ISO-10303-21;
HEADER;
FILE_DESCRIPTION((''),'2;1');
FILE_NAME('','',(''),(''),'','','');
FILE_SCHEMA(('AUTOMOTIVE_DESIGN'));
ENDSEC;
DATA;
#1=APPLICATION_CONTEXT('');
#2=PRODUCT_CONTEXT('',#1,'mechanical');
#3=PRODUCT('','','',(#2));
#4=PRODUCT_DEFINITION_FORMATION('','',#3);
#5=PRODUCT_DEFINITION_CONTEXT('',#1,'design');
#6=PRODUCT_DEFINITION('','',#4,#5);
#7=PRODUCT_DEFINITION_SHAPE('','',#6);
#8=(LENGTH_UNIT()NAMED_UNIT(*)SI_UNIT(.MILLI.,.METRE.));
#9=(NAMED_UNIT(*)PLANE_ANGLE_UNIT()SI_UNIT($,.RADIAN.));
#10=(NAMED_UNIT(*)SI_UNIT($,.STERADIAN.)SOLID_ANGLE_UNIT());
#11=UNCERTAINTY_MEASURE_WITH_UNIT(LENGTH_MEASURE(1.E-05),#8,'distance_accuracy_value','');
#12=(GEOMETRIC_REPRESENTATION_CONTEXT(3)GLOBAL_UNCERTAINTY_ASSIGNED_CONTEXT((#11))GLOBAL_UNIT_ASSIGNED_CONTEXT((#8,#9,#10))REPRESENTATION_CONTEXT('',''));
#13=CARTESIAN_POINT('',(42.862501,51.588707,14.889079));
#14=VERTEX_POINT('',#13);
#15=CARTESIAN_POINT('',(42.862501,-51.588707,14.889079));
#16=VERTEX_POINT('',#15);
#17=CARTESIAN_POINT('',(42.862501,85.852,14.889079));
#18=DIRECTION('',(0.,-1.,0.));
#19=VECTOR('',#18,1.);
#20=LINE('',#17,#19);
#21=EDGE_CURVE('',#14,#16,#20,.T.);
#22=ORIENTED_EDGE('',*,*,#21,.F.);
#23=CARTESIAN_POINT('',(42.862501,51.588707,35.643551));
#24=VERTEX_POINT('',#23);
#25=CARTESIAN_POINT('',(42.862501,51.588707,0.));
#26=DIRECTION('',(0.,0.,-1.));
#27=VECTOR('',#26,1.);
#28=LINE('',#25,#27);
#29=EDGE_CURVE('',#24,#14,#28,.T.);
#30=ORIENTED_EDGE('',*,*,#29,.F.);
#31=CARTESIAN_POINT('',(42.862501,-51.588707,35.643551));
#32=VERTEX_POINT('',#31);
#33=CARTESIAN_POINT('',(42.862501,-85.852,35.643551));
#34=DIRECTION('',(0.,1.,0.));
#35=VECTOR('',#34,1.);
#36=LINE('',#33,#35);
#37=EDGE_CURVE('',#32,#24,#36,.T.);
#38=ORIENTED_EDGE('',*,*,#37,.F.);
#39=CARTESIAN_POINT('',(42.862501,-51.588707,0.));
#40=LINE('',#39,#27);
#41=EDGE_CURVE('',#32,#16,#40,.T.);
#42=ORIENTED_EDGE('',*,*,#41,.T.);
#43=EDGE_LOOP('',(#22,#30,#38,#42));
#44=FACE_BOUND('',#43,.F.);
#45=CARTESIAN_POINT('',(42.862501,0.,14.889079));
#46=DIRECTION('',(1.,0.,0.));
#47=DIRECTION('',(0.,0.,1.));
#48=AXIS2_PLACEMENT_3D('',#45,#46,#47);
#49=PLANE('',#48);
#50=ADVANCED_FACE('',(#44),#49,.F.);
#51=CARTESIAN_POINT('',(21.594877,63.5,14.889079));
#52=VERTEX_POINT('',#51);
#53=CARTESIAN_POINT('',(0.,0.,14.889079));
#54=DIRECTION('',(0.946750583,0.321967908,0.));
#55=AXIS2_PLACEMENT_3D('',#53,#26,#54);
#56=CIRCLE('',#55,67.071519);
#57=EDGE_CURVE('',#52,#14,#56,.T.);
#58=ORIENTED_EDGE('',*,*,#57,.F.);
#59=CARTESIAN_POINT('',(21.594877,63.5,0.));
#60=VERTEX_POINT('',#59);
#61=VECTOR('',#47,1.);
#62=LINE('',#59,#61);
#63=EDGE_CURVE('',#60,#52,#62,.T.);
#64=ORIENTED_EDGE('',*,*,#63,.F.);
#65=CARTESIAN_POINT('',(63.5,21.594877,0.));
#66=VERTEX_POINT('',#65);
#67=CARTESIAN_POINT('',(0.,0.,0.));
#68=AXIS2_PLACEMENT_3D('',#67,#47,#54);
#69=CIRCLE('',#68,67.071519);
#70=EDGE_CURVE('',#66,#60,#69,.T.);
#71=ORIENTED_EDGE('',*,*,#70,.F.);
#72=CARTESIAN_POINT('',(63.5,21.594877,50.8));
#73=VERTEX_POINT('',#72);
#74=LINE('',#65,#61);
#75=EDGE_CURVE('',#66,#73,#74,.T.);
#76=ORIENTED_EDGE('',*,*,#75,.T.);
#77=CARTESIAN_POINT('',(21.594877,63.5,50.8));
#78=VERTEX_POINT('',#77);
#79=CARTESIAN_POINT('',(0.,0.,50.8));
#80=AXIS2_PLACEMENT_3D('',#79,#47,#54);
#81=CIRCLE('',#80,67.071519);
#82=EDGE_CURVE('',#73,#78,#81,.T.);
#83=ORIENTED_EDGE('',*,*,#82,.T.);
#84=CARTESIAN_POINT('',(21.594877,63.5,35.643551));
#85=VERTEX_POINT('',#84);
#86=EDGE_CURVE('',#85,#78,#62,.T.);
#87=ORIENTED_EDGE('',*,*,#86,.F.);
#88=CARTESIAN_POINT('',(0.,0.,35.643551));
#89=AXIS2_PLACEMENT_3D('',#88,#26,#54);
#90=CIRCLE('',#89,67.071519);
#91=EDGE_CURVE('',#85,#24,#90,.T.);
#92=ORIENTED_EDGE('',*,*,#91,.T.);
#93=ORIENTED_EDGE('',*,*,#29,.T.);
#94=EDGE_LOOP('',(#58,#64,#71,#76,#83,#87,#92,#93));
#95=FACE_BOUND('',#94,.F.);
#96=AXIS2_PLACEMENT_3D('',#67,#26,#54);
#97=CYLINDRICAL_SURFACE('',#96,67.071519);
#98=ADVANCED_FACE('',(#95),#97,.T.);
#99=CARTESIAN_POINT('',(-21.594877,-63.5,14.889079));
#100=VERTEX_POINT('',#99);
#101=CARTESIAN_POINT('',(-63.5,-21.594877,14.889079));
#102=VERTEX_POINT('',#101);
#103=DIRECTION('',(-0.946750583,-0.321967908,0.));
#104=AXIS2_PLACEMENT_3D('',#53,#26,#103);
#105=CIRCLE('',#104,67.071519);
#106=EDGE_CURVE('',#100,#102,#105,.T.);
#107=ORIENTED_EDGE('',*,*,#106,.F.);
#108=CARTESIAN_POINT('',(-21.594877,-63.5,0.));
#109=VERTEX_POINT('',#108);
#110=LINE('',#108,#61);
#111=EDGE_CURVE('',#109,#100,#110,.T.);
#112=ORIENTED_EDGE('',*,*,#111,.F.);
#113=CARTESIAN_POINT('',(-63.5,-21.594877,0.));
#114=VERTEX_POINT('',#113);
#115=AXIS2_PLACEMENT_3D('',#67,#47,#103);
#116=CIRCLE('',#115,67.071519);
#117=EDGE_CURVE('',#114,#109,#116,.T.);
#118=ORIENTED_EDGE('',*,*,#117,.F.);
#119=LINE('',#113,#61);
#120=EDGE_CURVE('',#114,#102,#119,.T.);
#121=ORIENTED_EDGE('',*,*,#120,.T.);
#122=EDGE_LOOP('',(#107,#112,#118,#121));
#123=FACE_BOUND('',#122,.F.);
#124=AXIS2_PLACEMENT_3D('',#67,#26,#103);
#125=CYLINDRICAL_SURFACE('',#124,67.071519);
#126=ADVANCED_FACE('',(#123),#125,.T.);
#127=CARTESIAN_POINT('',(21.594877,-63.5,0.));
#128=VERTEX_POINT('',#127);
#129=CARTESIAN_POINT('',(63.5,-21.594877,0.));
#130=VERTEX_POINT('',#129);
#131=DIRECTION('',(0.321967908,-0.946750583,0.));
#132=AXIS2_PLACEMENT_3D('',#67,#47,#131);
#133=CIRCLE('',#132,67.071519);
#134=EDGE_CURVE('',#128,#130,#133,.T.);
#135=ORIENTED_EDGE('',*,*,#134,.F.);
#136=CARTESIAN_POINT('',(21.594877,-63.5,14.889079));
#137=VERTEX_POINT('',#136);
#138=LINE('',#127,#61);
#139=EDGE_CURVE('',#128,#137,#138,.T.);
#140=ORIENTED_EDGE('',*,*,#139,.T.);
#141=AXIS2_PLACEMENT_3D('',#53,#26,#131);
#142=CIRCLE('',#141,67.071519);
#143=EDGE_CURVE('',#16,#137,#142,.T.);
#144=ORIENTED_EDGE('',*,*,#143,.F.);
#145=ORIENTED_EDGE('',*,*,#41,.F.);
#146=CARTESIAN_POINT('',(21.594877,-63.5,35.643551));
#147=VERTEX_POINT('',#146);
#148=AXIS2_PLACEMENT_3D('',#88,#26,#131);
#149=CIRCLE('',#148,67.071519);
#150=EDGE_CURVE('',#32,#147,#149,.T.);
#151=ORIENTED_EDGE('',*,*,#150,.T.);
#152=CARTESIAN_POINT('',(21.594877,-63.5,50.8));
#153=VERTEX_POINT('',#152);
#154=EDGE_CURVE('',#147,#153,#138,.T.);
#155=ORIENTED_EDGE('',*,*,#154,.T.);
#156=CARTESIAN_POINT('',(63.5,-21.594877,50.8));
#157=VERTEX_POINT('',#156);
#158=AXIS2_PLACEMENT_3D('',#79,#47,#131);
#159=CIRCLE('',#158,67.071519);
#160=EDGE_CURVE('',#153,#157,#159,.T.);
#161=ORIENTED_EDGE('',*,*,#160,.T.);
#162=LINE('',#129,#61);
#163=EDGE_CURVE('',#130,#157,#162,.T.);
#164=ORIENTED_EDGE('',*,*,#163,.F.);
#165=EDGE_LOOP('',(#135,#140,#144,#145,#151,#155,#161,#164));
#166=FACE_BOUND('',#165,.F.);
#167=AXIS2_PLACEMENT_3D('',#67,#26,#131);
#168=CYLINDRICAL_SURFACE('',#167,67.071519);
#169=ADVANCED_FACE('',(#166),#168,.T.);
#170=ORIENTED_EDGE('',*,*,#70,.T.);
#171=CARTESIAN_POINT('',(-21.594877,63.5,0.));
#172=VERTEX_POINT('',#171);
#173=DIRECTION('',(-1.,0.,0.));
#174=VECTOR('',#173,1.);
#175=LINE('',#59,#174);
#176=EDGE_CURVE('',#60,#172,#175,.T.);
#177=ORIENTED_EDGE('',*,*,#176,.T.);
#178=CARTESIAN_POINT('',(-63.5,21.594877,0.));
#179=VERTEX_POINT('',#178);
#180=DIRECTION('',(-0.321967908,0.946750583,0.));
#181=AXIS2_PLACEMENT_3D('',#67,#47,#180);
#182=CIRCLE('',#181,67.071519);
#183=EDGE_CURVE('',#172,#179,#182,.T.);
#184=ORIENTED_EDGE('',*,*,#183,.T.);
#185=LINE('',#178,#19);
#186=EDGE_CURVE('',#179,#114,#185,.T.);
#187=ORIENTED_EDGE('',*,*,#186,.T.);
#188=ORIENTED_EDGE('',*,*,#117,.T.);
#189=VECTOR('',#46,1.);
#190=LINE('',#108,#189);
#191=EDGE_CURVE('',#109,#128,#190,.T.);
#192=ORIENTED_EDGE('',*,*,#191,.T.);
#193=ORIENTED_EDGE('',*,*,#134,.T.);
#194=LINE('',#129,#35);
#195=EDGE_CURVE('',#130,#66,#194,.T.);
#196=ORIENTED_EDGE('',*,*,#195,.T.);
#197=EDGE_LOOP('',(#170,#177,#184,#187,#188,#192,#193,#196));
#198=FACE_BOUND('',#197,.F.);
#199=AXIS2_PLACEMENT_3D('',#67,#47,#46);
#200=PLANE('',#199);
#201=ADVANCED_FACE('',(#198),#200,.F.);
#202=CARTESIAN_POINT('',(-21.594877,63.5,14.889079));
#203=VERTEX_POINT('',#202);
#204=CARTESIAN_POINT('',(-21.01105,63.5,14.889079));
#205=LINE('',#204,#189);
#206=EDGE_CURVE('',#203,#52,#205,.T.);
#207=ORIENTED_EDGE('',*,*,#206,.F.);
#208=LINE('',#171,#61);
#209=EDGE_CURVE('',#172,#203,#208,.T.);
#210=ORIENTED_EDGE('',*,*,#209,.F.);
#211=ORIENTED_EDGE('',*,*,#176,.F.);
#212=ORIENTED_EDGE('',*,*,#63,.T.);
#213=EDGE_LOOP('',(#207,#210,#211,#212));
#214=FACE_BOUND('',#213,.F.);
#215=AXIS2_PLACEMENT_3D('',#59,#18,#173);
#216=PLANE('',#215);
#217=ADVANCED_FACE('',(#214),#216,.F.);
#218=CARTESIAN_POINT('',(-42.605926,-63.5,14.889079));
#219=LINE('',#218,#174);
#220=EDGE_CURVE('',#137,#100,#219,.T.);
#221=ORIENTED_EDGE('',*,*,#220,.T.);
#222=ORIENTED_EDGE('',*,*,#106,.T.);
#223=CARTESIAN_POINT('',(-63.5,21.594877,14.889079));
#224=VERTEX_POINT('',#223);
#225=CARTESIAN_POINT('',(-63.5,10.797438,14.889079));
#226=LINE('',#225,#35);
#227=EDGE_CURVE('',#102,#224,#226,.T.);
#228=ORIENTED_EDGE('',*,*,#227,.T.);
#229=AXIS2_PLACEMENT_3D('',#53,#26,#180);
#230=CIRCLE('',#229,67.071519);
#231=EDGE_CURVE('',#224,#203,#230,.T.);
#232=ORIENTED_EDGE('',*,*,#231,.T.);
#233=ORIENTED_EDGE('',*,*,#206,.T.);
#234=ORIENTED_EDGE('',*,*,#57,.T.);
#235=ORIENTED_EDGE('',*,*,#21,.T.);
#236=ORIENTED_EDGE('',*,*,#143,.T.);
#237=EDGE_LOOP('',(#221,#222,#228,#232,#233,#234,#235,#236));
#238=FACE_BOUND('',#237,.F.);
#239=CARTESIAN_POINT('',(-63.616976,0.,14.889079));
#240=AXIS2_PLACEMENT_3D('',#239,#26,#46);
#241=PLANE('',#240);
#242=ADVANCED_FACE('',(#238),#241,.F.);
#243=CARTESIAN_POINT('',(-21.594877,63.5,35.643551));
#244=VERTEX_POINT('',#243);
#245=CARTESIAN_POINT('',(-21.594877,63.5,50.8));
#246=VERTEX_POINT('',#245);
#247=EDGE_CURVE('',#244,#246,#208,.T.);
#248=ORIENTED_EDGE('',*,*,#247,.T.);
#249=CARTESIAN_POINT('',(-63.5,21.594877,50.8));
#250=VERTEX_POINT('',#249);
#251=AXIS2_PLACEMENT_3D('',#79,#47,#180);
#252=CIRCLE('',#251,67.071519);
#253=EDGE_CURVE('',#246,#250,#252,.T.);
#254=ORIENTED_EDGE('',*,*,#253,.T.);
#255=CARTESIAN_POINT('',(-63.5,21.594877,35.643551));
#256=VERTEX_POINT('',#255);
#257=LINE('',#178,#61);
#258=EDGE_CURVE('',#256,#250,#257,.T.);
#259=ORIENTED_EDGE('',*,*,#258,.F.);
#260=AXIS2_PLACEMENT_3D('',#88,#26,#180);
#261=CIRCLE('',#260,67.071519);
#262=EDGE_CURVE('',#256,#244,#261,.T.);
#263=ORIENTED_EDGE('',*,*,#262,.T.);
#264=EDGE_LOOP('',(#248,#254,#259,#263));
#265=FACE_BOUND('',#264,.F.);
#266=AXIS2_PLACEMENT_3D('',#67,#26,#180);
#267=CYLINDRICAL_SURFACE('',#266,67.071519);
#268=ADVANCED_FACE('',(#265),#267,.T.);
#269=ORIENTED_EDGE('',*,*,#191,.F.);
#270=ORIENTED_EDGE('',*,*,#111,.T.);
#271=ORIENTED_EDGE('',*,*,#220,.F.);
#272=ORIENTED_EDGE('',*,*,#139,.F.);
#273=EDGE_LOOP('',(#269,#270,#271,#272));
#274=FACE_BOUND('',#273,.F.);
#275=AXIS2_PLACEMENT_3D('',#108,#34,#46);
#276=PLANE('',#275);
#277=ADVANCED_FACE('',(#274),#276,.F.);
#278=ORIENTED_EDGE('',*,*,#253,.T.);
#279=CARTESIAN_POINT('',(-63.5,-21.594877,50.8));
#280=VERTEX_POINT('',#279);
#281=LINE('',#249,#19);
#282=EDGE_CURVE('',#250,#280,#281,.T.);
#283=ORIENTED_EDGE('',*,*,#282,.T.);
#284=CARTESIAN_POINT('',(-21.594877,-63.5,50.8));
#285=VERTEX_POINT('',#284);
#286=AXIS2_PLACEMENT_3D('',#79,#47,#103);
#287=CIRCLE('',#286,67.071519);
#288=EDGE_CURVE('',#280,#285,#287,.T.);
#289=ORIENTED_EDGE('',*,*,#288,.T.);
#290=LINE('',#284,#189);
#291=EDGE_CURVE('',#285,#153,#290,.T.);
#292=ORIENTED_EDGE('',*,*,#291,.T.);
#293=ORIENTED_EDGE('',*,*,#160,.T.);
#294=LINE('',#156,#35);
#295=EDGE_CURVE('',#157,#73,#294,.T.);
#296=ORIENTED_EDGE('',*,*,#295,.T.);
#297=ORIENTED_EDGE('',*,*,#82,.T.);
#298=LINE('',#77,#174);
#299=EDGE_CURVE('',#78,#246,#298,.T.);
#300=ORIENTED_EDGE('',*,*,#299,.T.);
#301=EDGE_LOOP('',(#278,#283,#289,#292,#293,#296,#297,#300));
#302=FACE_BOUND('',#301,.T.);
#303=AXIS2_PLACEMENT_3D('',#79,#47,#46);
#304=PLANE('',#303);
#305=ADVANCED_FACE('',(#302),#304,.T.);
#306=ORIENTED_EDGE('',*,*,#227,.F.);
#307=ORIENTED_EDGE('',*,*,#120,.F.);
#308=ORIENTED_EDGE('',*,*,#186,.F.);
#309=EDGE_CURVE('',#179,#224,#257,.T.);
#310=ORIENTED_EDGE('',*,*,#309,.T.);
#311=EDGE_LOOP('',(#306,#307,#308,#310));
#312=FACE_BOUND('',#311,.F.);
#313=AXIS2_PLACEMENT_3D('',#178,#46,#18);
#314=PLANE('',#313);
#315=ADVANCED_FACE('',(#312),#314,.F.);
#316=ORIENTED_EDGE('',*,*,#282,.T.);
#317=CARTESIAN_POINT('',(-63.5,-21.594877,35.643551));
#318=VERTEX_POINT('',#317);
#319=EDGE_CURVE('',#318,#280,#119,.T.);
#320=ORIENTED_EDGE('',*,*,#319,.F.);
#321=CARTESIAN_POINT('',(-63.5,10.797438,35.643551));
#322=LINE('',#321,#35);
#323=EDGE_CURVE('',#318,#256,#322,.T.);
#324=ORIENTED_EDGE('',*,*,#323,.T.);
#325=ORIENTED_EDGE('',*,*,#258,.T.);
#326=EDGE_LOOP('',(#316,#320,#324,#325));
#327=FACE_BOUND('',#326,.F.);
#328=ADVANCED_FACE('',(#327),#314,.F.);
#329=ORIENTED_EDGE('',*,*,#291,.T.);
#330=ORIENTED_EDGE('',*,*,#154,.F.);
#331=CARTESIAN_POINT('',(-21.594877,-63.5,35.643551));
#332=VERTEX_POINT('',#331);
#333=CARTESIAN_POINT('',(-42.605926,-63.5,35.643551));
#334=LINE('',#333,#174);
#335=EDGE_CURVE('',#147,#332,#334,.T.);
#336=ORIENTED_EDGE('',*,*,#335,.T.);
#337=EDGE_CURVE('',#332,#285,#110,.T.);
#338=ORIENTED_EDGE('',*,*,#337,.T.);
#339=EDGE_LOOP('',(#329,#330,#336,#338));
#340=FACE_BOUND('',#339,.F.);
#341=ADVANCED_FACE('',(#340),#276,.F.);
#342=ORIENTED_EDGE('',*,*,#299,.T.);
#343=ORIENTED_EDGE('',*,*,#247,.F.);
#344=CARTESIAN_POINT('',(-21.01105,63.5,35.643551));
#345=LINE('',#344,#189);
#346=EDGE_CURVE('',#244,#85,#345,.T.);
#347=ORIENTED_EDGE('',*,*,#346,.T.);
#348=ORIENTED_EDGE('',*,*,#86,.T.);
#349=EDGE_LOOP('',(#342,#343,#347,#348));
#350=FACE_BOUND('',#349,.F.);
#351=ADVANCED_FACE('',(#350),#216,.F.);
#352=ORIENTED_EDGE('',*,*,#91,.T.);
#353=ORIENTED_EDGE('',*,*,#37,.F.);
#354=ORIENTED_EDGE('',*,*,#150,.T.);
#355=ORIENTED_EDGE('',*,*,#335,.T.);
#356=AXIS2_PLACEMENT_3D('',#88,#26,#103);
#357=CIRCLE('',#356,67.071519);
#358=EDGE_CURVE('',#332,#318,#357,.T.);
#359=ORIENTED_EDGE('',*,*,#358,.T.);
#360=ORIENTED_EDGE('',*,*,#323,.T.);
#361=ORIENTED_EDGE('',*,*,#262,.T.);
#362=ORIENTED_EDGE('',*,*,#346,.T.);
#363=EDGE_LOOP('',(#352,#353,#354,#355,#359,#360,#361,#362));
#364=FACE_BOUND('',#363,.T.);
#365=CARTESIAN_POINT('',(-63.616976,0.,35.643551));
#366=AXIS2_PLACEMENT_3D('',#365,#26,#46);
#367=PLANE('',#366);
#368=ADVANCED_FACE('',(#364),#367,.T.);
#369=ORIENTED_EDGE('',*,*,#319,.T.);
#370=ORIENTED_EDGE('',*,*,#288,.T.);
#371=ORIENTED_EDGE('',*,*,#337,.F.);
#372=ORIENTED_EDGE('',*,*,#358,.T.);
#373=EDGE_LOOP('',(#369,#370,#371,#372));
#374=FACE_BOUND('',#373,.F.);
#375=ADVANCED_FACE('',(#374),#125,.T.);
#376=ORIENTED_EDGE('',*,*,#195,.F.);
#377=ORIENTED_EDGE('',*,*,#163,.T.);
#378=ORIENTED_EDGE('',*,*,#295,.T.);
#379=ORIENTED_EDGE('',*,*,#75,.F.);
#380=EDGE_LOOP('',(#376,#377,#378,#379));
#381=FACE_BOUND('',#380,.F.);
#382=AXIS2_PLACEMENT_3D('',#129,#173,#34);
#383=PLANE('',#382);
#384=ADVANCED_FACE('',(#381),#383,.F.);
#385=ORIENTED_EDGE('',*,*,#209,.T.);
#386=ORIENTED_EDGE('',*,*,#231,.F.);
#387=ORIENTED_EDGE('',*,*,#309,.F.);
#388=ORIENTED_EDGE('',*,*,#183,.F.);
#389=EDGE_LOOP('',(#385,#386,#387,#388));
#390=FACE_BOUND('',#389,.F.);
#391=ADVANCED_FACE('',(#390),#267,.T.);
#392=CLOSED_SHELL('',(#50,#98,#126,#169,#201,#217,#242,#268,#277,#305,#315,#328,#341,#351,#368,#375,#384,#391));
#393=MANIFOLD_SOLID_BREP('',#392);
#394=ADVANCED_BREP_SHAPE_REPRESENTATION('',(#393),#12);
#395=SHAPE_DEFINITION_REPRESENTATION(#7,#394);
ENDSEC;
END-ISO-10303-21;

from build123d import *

# Parameters (mm, degrees)
F1_DEPTH = 50.8
F2_W     = 106.4794771373
F2_H     = 20.7544723526
F3_DEPTH = 85.852


with BuildPart() as f1:
    # F0 (on Top) → F1 (new body)
    with BuildSketch(Plane.XY):
        with BuildLine():
            Line((63.5, -21.5948767427), (63.5, 21.5948767427))
            ThreePointArc((63.5, 21.5948767427), (47.4267261232, 47.4267261232), (21.5948767427, 63.5))
            Line((21.5948767427, 63.5), (-21.5948767427, 63.5))
            ThreePointArc((-21.5948767427, 63.5), (-47.4267261232, 47.4267261232), (-63.5, 21.5948767427))
            Line((-63.5, 21.5948767427), (-63.5, -21.5948767427))
            ThreePointArc((-63.5, -21.5948767427), (-47.4267261232, -47.4267261232), (-21.5948767427, -63.5))
            Line((-21.5948767427, -63.5), (21.5948767427, -63.5))
            ThreePointArc((21.5948767427, -63.5), (47.4267261232, -47.4267261232), (63.5, -21.5948767427))
        make_face()
    extrude(amount=F1_DEPTH)

    # F2 (on Front) → F3 (cut, symmetric)
    with BuildSketch(Plane.XZ):
        with Locations((-10.3772375733, 25.2663153224)):
            Rectangle(F2_W, F2_H)
    extrude(amount=F3_DEPTH, both=True, mode=Mode.SUBTRACT)


solid = f1.part
